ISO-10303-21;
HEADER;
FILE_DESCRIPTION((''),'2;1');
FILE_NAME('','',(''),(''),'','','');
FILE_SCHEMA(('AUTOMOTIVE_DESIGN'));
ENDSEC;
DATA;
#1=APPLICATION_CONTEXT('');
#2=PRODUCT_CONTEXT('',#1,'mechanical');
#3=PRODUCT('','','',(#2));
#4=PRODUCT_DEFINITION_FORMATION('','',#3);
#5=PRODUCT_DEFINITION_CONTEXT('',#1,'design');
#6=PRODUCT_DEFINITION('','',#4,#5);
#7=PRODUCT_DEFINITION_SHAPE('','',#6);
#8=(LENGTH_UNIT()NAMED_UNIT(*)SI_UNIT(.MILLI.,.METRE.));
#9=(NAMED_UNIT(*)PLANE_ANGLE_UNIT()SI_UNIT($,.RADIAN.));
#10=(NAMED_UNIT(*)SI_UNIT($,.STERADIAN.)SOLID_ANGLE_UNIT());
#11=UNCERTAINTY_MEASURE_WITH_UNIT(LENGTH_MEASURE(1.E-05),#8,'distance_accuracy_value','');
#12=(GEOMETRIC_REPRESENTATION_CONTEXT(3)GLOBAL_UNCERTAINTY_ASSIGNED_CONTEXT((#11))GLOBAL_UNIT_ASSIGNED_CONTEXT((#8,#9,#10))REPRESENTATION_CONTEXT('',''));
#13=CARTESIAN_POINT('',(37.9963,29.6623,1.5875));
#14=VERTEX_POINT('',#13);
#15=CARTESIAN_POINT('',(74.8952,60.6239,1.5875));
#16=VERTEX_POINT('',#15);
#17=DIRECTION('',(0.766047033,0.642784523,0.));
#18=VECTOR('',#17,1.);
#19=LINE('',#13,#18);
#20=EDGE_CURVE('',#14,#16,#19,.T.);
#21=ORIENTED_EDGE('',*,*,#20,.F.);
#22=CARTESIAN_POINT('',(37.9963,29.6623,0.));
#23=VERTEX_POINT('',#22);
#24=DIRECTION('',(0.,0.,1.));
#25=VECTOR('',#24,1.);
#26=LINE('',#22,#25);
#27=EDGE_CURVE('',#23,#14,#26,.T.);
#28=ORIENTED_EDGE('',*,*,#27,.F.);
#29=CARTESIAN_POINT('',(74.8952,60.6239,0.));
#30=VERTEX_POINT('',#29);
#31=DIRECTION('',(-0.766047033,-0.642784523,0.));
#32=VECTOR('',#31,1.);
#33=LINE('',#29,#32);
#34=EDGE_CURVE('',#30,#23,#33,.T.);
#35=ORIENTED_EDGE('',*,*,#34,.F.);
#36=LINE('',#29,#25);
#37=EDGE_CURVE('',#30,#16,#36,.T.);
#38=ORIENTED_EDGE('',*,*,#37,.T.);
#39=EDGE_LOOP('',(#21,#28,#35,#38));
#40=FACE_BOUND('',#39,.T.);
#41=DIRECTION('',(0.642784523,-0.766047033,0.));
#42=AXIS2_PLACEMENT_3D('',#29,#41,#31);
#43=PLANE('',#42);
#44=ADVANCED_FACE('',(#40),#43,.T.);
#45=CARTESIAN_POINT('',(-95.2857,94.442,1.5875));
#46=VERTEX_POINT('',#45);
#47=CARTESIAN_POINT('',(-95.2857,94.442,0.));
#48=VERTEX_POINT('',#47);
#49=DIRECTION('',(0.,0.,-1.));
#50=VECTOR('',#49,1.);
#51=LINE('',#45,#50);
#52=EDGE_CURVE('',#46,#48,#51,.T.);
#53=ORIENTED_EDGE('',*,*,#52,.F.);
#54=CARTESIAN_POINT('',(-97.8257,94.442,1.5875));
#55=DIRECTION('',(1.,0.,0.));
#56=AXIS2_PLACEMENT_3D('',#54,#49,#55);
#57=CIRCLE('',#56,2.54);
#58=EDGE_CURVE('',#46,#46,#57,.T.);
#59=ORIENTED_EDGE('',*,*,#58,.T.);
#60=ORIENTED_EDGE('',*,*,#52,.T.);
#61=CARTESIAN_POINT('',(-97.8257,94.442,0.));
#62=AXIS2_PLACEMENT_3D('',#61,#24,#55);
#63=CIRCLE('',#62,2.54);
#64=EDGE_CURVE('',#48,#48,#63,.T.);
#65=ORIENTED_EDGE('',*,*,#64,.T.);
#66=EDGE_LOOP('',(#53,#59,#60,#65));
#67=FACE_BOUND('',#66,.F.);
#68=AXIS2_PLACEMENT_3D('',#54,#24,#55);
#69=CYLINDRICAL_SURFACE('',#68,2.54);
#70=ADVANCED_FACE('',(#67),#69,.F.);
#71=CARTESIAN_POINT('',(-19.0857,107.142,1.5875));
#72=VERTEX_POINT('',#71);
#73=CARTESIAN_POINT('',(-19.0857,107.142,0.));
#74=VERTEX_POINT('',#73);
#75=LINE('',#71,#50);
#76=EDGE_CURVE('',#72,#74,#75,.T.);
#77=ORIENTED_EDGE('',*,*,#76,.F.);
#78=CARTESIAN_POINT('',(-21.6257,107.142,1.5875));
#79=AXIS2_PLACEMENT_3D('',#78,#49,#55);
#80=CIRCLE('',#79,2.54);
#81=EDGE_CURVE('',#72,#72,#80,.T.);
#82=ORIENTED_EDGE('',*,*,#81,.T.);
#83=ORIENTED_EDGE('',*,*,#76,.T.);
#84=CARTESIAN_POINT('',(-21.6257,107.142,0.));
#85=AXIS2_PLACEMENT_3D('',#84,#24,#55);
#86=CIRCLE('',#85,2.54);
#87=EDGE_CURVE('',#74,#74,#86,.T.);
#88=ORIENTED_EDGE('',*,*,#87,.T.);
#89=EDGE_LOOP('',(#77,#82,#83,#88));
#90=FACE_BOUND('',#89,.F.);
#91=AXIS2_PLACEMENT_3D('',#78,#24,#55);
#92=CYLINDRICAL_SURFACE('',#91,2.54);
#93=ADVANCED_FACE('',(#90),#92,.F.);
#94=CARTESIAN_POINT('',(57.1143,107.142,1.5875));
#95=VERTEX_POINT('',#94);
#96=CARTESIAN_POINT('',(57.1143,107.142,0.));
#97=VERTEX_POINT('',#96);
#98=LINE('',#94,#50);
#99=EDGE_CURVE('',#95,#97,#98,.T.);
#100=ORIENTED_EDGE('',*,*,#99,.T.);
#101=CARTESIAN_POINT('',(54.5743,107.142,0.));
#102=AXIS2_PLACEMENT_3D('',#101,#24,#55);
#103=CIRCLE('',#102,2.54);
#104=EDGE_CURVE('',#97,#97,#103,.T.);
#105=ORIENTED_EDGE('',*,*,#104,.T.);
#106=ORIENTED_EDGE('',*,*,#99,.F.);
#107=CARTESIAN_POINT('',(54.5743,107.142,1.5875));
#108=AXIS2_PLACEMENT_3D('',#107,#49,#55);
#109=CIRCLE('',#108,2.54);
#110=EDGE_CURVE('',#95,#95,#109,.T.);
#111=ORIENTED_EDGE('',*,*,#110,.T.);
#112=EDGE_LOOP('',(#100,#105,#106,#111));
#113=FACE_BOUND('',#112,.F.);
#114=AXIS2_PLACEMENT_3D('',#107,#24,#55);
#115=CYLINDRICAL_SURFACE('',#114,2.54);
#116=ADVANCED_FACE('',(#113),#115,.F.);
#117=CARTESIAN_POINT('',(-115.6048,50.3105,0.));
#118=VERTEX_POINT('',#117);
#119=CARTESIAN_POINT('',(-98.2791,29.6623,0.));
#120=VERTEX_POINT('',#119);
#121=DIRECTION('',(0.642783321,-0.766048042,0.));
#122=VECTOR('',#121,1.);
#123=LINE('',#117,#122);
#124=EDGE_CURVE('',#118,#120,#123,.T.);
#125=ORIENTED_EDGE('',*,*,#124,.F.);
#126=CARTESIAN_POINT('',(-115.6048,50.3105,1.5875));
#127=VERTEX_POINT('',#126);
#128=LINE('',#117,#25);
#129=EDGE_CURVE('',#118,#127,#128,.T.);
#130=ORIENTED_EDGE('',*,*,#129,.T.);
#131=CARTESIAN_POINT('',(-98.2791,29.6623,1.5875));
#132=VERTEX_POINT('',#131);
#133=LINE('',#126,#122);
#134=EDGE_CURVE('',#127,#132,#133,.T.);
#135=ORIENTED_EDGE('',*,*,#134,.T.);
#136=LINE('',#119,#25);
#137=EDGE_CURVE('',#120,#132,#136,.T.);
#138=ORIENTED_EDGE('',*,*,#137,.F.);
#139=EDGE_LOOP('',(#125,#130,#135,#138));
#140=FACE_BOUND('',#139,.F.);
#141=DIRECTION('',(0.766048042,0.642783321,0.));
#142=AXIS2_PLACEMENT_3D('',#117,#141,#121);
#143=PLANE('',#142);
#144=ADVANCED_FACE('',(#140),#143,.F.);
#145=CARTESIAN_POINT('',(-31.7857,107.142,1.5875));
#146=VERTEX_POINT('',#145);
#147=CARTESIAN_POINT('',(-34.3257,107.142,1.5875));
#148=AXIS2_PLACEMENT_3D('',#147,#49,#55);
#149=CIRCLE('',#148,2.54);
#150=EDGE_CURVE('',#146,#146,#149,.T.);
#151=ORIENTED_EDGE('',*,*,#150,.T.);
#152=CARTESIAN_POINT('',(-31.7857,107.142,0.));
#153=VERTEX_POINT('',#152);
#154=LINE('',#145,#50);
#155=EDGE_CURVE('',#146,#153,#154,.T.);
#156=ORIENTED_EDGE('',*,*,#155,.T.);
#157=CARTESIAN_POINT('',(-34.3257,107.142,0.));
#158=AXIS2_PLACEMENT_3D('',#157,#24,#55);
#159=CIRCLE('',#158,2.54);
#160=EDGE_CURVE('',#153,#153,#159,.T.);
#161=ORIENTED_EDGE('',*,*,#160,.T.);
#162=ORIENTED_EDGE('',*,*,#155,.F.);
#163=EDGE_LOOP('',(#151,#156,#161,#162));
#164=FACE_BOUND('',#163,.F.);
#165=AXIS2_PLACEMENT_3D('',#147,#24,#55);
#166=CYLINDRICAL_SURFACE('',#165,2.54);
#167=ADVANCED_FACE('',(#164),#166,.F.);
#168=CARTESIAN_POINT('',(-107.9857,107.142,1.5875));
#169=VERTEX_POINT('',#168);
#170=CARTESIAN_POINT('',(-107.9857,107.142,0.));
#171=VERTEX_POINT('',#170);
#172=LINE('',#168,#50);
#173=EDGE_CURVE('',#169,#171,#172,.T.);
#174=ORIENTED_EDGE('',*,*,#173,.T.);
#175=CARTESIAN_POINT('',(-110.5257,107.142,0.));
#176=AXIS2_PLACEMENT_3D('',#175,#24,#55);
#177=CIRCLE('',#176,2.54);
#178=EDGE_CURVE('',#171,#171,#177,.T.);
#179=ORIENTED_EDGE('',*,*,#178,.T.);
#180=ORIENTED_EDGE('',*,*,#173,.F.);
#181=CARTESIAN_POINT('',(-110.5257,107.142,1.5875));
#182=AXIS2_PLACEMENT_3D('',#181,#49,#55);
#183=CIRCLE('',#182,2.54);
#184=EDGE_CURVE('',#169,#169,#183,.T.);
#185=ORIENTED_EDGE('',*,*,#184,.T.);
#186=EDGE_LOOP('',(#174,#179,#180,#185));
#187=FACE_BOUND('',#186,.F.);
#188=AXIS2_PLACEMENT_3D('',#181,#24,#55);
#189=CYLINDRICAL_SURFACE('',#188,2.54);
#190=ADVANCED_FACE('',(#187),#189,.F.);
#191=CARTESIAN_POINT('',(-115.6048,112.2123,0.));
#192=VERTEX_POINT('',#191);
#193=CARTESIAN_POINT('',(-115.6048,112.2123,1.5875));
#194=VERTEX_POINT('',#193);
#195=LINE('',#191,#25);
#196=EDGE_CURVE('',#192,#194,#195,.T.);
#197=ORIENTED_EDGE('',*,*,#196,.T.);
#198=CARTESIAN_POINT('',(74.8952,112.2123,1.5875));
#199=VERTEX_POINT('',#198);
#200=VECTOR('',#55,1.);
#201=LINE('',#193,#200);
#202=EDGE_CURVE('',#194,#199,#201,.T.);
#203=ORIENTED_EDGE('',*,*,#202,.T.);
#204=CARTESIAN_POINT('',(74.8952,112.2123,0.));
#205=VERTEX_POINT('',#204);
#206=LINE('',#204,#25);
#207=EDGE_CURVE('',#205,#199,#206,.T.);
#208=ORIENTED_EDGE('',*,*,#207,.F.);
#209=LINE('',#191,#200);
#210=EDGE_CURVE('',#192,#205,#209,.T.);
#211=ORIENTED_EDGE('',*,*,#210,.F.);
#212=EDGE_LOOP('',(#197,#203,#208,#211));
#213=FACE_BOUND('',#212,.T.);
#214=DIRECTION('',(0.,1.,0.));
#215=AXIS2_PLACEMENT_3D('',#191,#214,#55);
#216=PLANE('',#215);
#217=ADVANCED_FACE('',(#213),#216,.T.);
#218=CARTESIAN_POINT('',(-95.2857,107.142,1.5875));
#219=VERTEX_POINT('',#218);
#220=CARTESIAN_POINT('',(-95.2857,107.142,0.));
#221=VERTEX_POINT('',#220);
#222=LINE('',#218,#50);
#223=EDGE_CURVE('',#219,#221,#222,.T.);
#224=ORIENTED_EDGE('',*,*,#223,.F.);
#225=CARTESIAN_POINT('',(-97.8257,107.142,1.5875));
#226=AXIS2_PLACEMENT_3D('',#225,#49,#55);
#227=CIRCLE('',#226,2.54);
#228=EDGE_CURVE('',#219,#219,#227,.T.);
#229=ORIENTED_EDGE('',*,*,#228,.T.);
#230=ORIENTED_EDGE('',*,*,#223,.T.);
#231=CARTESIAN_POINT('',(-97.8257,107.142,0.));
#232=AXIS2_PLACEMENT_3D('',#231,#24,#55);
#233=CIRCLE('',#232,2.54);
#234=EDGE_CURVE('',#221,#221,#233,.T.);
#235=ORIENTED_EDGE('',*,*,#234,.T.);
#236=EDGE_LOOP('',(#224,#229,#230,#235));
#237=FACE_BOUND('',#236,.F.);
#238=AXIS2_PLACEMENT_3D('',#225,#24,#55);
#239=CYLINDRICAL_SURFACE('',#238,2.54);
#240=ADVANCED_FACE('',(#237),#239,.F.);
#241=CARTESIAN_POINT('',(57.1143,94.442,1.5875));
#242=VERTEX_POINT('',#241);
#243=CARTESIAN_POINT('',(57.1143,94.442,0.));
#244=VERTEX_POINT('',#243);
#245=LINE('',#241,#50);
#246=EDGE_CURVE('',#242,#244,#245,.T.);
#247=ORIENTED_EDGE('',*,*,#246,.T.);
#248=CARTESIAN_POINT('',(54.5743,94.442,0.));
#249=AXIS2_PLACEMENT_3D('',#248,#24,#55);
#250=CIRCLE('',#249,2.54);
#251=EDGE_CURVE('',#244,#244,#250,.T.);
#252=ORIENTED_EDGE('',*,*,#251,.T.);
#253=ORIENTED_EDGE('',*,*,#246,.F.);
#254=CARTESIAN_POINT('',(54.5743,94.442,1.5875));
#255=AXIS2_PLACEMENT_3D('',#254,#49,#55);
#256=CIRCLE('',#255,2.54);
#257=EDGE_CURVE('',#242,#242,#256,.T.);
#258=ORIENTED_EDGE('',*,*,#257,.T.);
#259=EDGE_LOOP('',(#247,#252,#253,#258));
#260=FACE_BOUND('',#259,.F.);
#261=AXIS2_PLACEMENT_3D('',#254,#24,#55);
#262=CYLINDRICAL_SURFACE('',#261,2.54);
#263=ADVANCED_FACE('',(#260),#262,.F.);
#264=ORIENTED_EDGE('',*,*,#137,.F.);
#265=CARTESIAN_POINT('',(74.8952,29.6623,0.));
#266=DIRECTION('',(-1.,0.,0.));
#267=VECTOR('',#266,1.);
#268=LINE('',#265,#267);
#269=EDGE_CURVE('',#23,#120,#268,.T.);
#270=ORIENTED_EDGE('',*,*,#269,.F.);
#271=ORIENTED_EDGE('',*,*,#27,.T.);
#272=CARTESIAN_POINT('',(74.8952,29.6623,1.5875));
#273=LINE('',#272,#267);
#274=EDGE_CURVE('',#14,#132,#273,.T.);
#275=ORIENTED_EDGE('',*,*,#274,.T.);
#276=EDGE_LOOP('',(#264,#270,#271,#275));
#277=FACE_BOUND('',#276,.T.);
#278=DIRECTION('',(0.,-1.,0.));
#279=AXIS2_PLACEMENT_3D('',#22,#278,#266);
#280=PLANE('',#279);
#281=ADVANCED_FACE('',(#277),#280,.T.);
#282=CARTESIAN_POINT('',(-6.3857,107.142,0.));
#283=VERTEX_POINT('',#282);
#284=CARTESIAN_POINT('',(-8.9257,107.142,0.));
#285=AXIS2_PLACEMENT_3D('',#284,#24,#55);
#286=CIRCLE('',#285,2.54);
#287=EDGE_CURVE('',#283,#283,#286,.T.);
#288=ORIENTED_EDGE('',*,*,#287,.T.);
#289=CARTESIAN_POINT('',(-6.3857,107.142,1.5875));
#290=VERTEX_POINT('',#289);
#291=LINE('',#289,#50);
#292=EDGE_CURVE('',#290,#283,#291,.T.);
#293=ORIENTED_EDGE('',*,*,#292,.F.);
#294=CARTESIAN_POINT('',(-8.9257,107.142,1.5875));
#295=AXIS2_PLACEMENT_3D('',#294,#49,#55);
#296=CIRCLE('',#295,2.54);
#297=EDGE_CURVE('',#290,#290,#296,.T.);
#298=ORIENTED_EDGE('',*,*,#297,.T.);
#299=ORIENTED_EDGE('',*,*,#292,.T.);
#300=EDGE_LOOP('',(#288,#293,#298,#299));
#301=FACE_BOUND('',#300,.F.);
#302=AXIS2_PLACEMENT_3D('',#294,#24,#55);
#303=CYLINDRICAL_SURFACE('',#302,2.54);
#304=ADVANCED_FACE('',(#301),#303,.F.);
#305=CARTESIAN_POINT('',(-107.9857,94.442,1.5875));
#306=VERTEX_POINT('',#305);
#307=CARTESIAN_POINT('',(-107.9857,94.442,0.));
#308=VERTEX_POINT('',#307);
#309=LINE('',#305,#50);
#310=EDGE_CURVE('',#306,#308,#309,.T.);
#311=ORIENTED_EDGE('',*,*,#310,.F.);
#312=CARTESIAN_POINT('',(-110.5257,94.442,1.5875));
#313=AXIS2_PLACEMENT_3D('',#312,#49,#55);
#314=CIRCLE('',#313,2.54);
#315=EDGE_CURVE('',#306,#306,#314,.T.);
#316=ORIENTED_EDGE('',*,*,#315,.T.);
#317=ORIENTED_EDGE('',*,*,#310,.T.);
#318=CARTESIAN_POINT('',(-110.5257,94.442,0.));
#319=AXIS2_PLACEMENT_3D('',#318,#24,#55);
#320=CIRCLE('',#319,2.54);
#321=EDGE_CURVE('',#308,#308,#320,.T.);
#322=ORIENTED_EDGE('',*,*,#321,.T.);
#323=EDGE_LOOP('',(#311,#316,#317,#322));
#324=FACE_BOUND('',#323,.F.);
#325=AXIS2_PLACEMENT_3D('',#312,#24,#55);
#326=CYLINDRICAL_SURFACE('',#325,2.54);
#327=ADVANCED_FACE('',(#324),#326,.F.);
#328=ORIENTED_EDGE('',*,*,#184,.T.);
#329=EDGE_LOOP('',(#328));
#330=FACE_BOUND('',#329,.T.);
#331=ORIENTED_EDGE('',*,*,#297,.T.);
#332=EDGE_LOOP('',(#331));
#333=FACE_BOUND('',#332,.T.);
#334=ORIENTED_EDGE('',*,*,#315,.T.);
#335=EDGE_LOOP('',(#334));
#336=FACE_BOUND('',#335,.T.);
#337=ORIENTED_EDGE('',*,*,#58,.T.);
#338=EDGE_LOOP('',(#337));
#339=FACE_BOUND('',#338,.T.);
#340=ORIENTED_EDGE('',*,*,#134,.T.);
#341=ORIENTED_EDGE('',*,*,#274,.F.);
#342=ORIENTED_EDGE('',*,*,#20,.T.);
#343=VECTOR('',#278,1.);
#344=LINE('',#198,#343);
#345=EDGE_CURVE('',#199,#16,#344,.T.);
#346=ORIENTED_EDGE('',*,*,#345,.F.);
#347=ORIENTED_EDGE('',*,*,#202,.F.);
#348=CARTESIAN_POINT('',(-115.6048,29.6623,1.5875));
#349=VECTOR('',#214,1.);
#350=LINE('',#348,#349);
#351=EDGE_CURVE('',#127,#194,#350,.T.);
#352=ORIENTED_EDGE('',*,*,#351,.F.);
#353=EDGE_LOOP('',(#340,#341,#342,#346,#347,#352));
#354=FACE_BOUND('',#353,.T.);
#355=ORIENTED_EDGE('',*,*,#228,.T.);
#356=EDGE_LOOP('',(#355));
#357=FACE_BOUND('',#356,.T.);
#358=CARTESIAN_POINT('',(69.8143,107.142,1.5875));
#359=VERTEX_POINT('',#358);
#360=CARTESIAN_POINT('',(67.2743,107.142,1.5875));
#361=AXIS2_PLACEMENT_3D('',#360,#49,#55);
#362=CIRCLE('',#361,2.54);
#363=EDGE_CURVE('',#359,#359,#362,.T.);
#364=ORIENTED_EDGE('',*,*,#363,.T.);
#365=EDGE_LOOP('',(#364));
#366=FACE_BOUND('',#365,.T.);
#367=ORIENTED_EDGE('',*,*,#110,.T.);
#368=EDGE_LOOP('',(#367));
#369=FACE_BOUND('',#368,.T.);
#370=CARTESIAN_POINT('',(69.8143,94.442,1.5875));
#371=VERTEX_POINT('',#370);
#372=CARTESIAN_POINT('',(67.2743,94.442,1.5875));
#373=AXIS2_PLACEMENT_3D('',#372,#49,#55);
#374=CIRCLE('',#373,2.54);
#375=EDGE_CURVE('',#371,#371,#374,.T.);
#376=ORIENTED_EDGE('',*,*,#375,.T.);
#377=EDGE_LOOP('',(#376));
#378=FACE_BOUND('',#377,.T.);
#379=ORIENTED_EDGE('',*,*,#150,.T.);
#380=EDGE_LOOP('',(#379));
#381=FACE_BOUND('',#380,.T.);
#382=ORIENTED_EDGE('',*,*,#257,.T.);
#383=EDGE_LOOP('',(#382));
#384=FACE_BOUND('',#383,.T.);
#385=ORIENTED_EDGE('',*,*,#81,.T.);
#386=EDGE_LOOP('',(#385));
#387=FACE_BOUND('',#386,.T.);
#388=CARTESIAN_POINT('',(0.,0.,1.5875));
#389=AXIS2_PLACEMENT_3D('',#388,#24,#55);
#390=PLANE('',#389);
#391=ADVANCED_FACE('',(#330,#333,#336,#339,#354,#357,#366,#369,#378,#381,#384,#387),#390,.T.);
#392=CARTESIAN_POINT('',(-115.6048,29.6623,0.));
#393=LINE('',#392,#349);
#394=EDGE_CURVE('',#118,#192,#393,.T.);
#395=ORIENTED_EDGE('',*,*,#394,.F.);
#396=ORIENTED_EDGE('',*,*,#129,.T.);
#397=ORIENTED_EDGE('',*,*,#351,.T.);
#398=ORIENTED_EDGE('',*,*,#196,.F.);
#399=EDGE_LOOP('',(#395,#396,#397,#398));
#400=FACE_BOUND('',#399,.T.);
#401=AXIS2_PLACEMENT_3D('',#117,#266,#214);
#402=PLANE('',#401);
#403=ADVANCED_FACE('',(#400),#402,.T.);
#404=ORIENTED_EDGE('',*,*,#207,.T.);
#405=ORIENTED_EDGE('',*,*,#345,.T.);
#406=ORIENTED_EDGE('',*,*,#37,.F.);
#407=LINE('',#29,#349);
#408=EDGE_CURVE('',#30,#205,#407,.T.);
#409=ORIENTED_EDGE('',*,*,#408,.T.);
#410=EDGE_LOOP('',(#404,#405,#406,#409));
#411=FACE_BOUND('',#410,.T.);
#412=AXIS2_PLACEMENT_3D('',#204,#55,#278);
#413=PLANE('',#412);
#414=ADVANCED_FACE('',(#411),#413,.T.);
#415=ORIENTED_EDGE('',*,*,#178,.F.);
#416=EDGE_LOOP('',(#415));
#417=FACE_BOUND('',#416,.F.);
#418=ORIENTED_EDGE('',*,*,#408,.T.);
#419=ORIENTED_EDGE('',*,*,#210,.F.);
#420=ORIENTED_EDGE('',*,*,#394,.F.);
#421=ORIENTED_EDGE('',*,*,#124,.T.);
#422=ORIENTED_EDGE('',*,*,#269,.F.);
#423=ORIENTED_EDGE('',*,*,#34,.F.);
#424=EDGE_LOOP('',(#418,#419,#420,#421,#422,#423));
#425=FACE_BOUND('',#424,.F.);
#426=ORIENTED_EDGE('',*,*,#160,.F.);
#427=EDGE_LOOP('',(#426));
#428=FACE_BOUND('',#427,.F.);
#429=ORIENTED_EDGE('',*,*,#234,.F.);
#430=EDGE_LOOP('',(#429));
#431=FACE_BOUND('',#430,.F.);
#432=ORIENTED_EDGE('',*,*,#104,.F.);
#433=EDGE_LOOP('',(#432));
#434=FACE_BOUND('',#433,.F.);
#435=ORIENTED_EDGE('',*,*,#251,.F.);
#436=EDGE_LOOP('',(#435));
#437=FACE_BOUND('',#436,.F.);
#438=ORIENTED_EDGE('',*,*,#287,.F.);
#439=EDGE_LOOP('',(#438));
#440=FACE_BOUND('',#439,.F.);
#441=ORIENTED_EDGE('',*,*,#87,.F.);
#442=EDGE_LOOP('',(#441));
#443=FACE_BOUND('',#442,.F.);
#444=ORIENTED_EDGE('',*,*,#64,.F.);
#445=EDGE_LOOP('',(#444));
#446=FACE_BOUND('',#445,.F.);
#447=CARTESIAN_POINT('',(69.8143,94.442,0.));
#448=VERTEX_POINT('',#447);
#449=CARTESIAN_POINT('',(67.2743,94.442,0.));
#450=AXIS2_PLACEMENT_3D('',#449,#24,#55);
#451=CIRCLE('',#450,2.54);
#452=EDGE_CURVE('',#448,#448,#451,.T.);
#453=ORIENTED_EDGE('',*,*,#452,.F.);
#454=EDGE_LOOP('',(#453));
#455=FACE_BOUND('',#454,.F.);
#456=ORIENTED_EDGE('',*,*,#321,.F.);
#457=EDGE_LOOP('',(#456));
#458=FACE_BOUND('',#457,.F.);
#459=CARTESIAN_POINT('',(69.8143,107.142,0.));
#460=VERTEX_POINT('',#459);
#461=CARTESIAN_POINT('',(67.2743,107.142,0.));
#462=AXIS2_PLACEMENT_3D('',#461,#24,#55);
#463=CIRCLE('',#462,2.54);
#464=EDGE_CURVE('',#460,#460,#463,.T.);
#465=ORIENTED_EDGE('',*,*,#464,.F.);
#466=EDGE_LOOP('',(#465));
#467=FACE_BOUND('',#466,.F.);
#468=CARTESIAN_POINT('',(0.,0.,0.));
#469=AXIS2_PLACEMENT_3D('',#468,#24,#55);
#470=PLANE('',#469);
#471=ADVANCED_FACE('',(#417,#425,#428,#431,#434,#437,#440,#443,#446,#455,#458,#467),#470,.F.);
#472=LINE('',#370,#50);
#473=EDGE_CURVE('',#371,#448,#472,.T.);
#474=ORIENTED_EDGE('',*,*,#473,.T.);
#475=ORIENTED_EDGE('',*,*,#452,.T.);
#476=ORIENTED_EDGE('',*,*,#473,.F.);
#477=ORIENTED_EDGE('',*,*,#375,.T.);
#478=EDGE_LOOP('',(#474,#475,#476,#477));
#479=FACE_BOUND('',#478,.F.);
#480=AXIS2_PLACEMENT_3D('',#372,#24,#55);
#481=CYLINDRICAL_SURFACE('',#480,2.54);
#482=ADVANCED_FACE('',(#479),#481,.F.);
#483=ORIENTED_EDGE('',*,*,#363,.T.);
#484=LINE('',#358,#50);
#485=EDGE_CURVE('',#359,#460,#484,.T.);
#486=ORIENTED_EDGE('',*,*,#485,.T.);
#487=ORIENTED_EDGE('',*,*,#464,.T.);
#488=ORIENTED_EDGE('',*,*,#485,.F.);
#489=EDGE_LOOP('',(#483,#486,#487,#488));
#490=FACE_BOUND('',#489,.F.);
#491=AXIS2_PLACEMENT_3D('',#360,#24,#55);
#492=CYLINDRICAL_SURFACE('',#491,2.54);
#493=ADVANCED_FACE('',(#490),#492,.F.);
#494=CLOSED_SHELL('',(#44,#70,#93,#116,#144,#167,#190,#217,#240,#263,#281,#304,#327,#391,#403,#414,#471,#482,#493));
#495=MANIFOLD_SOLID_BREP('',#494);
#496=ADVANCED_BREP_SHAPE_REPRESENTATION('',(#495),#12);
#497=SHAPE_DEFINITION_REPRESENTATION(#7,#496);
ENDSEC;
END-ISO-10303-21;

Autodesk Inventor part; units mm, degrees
ref_plane "YZ Plane" through (0, 0, 0) normal (1, 0, 0) x (0, 1, 0)
ref_plane "XZ Plane" through (0, 0, 0) normal (0, 1, 0) x (-1, 0, 0)
ref_plane "XY Plane" through (0, 0, 0) normal (0, 0, 1) x (1, 0, 0)
sketch "Sketch1" plane through (0, 0, 0) normal (0, 0, 1) x (1, 0, 0)
  line L0 (-115.6048, 112.2123) -> (74.8952, 112.2123)
  line L1 (74.8952, 112.2123) -> (74.8952, 29.6623)
  line L2 (74.8952, 29.6623) -> (-115.6048, 29.6623)
  line L3 (-115.6048, 29.6623) -> (-115.6048, 112.2123)
  line L4 (74.8952, 70.9373) -> (74.8952, 50.3105)
  line L5 (74.8952, 50.3105) -> (74.8952, 60.6239)
  line L6 (74.8952, 60.6239) -> (37.9963, 29.6623)
  line L7 (74.8952, 50.3105) -> (-115.6048, 50.3105)
  line L8 (-115.6048, 50.3105) -> (-98.2791, 29.6623)
  point P0 (0, 0)
  dimension "d0" = 190.5
  dimension "d1" = 82.55
extrude "Extrusion1" add sketch "Sketch1" along normal blind 1.5875 contours L0 L1 L6 L7 L3 | L7 L6 L2 L8
sketch "Sketch2" plane through (0, 0, 1.5875) normal (0, 0, 1) x (1, 0, 0)
  line L0 (-115.6048, 112.2123) -> (-115.6048, 50.3105) projected
  line L1 (-115.6048, 112.2123) -> (-115.6048, 107.142)
  line L2 (-115.6048, 107.142) -> (-110.5257, 107.142)
  circle A0 centre (-110.5257, 107.142) radius 2.54
  line L3 (-110.5257, 107.142) -> (-110.5257, 94.442)
  circle A1 centre (-110.5257, 94.442) radius 2.54
  line L4 (-110.5257, 107.142) -> (-97.8257, 107.142)
  line L5 (-97.8257, 107.142) -> (-97.8257, 94.442)
  circle A2 centre (-97.8257, 107.142) radius 2.54
  circle A3 centre (-97.8257, 94.442) radius 2.54
  line L6 (-97.8257, 107.142) -> (67.2743, 107.142)
  circle A4 centre (67.2743, 107.142) radius 2.54
  line L7 (67.2743, 107.142) -> (67.2743, 94.442)
  line L8 (67.2743, 94.442) -> (54.5743, 94.442)
  line L9 (54.5743, 94.442) -> (54.5743, 107.142)
  circle A5 centre (54.5743, 107.142) radius 2.54
  circle A6 centre (54.5743, 94.442) radius 2.54
  circle A7 centre (67.2743, 94.442) radius 2.54
  line L10 (-97.8257, 107.142) -> (-21.6257, 107.142)
  circle A8 centre (-21.6257, 107.142) radius 2.54
  line L11 (-21.6257, 107.142) -> (-34.3257, 107.142)
  circle A9 centre (-34.3257, 107.142) radius 2.54
  line L12 (-21.6257, 107.142) -> (-8.9257, 107.142)
  circle A10 centre (-8.9257, 107.142) radius 2.54
  point P0 (0, 0)
  dimension "d4" = 5.08
  dimension "d5" = 12.7
  dimension "d6" = 5.08
  dimension "d7" = 12.7
  dimension "d8" = 5.08
  dimension "d9" = 5.08
  dimension "d10" = 165.1
  dimension "d11" = 5.08
  dimension "d12" = 12.7
  dimension "d13" = 12.7
  dimension "d14" = 5.08
  dimension "d15" = 5.08
  dimension "d16" = 5.08
  dimension "d17" = 76.2
  dimension "d18" = 5.08
  dimension "d19" = 12.7
  dimension "d20" = 5.08
  dimension "d21" = 12.7
  dimension "d22" = 5.08
extrude "Extrusion2" cut sketch "Sketch2" against normal through all contours A0 L4 L2 | A5 L6 | L6 L9 A5 | A10 L6 | L6 A10 | A8 L6 | L6 A8 | A9 L6 | L6 A9 | A3 | A2 L6 L4 | L4 L5 A2 | A1 | L2 L3 A0 | L4 A0 L3 | L6 A2 L5 | L6 A5 L9 | A4 L7 L6 | L6 L7 A4 | A6 L8 L9 | L9 L8 A6 | A7 L8 L7 | L7 L8 A7
properties part number "Wing poly tall"
